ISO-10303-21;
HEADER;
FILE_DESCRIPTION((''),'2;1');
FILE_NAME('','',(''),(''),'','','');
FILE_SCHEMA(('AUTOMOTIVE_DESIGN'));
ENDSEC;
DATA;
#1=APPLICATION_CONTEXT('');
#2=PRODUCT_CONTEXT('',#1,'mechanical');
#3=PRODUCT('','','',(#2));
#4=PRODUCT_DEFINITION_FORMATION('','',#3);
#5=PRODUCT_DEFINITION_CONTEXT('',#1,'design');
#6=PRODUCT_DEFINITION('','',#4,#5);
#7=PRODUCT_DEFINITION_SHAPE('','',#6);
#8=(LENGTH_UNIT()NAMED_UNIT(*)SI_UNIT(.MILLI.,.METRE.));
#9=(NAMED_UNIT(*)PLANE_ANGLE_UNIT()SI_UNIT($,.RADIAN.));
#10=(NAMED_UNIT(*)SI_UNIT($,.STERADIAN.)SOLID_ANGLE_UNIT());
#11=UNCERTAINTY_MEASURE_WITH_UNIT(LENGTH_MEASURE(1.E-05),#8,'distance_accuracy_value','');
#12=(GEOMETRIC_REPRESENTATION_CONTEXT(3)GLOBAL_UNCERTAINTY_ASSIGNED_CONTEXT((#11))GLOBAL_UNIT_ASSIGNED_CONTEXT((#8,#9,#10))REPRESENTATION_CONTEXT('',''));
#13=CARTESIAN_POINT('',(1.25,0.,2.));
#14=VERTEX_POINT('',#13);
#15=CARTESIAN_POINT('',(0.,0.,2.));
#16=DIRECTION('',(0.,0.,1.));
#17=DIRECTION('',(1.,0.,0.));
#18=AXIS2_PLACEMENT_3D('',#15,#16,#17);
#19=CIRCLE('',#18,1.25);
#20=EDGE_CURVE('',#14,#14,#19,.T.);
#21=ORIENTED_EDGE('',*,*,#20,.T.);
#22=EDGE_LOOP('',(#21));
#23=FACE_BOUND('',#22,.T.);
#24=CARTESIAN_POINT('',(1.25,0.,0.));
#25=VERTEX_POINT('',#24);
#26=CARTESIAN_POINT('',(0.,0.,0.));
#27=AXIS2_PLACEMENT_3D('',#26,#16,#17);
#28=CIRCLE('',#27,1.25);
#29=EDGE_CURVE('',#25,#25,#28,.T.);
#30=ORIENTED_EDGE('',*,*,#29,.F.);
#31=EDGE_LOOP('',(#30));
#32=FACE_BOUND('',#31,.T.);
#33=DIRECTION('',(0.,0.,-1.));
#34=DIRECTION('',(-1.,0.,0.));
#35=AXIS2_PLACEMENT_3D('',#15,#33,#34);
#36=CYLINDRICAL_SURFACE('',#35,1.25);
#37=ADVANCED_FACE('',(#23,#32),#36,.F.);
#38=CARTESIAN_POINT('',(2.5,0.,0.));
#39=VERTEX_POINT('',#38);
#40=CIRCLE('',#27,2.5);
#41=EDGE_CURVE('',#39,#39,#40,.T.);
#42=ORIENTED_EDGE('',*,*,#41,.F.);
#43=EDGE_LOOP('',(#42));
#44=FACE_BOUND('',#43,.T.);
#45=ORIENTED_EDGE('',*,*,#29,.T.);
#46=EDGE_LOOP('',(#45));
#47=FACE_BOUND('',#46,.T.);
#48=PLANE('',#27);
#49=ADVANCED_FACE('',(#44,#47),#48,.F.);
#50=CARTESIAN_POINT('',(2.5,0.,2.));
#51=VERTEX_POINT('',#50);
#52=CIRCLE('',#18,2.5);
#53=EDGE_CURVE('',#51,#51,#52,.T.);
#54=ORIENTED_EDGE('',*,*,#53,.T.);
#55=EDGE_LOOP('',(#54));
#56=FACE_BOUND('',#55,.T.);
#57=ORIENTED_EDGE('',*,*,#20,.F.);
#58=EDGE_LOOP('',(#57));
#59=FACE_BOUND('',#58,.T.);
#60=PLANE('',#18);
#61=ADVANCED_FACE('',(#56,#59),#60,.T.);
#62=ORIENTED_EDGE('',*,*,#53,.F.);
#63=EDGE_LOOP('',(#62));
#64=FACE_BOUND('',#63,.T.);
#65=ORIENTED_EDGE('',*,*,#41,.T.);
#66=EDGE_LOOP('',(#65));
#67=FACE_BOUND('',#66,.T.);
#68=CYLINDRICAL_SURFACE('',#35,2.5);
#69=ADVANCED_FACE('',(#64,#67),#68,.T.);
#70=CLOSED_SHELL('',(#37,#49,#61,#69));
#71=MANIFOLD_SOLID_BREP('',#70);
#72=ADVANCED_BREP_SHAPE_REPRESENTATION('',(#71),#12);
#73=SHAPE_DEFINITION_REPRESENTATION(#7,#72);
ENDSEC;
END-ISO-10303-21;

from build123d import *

# Parameters (mm, degrees)
SKETCH_1_R      = 2.5
SKETCH_1_R_2    = 1.25
EXTRUDE_1_DEPTH = 2


with BuildPart() as part:
    # Эскиз1 → Бобышка-Вытянуть1 (new body)
    with BuildSketch(Plane.XY):
        Circle(SKETCH_1_R)
        Circle(SKETCH_1_R_2, mode=Mode.SUBTRACT)
    extrude(amount=EXTRUDE_1_DEPTH)


solid = part.part
